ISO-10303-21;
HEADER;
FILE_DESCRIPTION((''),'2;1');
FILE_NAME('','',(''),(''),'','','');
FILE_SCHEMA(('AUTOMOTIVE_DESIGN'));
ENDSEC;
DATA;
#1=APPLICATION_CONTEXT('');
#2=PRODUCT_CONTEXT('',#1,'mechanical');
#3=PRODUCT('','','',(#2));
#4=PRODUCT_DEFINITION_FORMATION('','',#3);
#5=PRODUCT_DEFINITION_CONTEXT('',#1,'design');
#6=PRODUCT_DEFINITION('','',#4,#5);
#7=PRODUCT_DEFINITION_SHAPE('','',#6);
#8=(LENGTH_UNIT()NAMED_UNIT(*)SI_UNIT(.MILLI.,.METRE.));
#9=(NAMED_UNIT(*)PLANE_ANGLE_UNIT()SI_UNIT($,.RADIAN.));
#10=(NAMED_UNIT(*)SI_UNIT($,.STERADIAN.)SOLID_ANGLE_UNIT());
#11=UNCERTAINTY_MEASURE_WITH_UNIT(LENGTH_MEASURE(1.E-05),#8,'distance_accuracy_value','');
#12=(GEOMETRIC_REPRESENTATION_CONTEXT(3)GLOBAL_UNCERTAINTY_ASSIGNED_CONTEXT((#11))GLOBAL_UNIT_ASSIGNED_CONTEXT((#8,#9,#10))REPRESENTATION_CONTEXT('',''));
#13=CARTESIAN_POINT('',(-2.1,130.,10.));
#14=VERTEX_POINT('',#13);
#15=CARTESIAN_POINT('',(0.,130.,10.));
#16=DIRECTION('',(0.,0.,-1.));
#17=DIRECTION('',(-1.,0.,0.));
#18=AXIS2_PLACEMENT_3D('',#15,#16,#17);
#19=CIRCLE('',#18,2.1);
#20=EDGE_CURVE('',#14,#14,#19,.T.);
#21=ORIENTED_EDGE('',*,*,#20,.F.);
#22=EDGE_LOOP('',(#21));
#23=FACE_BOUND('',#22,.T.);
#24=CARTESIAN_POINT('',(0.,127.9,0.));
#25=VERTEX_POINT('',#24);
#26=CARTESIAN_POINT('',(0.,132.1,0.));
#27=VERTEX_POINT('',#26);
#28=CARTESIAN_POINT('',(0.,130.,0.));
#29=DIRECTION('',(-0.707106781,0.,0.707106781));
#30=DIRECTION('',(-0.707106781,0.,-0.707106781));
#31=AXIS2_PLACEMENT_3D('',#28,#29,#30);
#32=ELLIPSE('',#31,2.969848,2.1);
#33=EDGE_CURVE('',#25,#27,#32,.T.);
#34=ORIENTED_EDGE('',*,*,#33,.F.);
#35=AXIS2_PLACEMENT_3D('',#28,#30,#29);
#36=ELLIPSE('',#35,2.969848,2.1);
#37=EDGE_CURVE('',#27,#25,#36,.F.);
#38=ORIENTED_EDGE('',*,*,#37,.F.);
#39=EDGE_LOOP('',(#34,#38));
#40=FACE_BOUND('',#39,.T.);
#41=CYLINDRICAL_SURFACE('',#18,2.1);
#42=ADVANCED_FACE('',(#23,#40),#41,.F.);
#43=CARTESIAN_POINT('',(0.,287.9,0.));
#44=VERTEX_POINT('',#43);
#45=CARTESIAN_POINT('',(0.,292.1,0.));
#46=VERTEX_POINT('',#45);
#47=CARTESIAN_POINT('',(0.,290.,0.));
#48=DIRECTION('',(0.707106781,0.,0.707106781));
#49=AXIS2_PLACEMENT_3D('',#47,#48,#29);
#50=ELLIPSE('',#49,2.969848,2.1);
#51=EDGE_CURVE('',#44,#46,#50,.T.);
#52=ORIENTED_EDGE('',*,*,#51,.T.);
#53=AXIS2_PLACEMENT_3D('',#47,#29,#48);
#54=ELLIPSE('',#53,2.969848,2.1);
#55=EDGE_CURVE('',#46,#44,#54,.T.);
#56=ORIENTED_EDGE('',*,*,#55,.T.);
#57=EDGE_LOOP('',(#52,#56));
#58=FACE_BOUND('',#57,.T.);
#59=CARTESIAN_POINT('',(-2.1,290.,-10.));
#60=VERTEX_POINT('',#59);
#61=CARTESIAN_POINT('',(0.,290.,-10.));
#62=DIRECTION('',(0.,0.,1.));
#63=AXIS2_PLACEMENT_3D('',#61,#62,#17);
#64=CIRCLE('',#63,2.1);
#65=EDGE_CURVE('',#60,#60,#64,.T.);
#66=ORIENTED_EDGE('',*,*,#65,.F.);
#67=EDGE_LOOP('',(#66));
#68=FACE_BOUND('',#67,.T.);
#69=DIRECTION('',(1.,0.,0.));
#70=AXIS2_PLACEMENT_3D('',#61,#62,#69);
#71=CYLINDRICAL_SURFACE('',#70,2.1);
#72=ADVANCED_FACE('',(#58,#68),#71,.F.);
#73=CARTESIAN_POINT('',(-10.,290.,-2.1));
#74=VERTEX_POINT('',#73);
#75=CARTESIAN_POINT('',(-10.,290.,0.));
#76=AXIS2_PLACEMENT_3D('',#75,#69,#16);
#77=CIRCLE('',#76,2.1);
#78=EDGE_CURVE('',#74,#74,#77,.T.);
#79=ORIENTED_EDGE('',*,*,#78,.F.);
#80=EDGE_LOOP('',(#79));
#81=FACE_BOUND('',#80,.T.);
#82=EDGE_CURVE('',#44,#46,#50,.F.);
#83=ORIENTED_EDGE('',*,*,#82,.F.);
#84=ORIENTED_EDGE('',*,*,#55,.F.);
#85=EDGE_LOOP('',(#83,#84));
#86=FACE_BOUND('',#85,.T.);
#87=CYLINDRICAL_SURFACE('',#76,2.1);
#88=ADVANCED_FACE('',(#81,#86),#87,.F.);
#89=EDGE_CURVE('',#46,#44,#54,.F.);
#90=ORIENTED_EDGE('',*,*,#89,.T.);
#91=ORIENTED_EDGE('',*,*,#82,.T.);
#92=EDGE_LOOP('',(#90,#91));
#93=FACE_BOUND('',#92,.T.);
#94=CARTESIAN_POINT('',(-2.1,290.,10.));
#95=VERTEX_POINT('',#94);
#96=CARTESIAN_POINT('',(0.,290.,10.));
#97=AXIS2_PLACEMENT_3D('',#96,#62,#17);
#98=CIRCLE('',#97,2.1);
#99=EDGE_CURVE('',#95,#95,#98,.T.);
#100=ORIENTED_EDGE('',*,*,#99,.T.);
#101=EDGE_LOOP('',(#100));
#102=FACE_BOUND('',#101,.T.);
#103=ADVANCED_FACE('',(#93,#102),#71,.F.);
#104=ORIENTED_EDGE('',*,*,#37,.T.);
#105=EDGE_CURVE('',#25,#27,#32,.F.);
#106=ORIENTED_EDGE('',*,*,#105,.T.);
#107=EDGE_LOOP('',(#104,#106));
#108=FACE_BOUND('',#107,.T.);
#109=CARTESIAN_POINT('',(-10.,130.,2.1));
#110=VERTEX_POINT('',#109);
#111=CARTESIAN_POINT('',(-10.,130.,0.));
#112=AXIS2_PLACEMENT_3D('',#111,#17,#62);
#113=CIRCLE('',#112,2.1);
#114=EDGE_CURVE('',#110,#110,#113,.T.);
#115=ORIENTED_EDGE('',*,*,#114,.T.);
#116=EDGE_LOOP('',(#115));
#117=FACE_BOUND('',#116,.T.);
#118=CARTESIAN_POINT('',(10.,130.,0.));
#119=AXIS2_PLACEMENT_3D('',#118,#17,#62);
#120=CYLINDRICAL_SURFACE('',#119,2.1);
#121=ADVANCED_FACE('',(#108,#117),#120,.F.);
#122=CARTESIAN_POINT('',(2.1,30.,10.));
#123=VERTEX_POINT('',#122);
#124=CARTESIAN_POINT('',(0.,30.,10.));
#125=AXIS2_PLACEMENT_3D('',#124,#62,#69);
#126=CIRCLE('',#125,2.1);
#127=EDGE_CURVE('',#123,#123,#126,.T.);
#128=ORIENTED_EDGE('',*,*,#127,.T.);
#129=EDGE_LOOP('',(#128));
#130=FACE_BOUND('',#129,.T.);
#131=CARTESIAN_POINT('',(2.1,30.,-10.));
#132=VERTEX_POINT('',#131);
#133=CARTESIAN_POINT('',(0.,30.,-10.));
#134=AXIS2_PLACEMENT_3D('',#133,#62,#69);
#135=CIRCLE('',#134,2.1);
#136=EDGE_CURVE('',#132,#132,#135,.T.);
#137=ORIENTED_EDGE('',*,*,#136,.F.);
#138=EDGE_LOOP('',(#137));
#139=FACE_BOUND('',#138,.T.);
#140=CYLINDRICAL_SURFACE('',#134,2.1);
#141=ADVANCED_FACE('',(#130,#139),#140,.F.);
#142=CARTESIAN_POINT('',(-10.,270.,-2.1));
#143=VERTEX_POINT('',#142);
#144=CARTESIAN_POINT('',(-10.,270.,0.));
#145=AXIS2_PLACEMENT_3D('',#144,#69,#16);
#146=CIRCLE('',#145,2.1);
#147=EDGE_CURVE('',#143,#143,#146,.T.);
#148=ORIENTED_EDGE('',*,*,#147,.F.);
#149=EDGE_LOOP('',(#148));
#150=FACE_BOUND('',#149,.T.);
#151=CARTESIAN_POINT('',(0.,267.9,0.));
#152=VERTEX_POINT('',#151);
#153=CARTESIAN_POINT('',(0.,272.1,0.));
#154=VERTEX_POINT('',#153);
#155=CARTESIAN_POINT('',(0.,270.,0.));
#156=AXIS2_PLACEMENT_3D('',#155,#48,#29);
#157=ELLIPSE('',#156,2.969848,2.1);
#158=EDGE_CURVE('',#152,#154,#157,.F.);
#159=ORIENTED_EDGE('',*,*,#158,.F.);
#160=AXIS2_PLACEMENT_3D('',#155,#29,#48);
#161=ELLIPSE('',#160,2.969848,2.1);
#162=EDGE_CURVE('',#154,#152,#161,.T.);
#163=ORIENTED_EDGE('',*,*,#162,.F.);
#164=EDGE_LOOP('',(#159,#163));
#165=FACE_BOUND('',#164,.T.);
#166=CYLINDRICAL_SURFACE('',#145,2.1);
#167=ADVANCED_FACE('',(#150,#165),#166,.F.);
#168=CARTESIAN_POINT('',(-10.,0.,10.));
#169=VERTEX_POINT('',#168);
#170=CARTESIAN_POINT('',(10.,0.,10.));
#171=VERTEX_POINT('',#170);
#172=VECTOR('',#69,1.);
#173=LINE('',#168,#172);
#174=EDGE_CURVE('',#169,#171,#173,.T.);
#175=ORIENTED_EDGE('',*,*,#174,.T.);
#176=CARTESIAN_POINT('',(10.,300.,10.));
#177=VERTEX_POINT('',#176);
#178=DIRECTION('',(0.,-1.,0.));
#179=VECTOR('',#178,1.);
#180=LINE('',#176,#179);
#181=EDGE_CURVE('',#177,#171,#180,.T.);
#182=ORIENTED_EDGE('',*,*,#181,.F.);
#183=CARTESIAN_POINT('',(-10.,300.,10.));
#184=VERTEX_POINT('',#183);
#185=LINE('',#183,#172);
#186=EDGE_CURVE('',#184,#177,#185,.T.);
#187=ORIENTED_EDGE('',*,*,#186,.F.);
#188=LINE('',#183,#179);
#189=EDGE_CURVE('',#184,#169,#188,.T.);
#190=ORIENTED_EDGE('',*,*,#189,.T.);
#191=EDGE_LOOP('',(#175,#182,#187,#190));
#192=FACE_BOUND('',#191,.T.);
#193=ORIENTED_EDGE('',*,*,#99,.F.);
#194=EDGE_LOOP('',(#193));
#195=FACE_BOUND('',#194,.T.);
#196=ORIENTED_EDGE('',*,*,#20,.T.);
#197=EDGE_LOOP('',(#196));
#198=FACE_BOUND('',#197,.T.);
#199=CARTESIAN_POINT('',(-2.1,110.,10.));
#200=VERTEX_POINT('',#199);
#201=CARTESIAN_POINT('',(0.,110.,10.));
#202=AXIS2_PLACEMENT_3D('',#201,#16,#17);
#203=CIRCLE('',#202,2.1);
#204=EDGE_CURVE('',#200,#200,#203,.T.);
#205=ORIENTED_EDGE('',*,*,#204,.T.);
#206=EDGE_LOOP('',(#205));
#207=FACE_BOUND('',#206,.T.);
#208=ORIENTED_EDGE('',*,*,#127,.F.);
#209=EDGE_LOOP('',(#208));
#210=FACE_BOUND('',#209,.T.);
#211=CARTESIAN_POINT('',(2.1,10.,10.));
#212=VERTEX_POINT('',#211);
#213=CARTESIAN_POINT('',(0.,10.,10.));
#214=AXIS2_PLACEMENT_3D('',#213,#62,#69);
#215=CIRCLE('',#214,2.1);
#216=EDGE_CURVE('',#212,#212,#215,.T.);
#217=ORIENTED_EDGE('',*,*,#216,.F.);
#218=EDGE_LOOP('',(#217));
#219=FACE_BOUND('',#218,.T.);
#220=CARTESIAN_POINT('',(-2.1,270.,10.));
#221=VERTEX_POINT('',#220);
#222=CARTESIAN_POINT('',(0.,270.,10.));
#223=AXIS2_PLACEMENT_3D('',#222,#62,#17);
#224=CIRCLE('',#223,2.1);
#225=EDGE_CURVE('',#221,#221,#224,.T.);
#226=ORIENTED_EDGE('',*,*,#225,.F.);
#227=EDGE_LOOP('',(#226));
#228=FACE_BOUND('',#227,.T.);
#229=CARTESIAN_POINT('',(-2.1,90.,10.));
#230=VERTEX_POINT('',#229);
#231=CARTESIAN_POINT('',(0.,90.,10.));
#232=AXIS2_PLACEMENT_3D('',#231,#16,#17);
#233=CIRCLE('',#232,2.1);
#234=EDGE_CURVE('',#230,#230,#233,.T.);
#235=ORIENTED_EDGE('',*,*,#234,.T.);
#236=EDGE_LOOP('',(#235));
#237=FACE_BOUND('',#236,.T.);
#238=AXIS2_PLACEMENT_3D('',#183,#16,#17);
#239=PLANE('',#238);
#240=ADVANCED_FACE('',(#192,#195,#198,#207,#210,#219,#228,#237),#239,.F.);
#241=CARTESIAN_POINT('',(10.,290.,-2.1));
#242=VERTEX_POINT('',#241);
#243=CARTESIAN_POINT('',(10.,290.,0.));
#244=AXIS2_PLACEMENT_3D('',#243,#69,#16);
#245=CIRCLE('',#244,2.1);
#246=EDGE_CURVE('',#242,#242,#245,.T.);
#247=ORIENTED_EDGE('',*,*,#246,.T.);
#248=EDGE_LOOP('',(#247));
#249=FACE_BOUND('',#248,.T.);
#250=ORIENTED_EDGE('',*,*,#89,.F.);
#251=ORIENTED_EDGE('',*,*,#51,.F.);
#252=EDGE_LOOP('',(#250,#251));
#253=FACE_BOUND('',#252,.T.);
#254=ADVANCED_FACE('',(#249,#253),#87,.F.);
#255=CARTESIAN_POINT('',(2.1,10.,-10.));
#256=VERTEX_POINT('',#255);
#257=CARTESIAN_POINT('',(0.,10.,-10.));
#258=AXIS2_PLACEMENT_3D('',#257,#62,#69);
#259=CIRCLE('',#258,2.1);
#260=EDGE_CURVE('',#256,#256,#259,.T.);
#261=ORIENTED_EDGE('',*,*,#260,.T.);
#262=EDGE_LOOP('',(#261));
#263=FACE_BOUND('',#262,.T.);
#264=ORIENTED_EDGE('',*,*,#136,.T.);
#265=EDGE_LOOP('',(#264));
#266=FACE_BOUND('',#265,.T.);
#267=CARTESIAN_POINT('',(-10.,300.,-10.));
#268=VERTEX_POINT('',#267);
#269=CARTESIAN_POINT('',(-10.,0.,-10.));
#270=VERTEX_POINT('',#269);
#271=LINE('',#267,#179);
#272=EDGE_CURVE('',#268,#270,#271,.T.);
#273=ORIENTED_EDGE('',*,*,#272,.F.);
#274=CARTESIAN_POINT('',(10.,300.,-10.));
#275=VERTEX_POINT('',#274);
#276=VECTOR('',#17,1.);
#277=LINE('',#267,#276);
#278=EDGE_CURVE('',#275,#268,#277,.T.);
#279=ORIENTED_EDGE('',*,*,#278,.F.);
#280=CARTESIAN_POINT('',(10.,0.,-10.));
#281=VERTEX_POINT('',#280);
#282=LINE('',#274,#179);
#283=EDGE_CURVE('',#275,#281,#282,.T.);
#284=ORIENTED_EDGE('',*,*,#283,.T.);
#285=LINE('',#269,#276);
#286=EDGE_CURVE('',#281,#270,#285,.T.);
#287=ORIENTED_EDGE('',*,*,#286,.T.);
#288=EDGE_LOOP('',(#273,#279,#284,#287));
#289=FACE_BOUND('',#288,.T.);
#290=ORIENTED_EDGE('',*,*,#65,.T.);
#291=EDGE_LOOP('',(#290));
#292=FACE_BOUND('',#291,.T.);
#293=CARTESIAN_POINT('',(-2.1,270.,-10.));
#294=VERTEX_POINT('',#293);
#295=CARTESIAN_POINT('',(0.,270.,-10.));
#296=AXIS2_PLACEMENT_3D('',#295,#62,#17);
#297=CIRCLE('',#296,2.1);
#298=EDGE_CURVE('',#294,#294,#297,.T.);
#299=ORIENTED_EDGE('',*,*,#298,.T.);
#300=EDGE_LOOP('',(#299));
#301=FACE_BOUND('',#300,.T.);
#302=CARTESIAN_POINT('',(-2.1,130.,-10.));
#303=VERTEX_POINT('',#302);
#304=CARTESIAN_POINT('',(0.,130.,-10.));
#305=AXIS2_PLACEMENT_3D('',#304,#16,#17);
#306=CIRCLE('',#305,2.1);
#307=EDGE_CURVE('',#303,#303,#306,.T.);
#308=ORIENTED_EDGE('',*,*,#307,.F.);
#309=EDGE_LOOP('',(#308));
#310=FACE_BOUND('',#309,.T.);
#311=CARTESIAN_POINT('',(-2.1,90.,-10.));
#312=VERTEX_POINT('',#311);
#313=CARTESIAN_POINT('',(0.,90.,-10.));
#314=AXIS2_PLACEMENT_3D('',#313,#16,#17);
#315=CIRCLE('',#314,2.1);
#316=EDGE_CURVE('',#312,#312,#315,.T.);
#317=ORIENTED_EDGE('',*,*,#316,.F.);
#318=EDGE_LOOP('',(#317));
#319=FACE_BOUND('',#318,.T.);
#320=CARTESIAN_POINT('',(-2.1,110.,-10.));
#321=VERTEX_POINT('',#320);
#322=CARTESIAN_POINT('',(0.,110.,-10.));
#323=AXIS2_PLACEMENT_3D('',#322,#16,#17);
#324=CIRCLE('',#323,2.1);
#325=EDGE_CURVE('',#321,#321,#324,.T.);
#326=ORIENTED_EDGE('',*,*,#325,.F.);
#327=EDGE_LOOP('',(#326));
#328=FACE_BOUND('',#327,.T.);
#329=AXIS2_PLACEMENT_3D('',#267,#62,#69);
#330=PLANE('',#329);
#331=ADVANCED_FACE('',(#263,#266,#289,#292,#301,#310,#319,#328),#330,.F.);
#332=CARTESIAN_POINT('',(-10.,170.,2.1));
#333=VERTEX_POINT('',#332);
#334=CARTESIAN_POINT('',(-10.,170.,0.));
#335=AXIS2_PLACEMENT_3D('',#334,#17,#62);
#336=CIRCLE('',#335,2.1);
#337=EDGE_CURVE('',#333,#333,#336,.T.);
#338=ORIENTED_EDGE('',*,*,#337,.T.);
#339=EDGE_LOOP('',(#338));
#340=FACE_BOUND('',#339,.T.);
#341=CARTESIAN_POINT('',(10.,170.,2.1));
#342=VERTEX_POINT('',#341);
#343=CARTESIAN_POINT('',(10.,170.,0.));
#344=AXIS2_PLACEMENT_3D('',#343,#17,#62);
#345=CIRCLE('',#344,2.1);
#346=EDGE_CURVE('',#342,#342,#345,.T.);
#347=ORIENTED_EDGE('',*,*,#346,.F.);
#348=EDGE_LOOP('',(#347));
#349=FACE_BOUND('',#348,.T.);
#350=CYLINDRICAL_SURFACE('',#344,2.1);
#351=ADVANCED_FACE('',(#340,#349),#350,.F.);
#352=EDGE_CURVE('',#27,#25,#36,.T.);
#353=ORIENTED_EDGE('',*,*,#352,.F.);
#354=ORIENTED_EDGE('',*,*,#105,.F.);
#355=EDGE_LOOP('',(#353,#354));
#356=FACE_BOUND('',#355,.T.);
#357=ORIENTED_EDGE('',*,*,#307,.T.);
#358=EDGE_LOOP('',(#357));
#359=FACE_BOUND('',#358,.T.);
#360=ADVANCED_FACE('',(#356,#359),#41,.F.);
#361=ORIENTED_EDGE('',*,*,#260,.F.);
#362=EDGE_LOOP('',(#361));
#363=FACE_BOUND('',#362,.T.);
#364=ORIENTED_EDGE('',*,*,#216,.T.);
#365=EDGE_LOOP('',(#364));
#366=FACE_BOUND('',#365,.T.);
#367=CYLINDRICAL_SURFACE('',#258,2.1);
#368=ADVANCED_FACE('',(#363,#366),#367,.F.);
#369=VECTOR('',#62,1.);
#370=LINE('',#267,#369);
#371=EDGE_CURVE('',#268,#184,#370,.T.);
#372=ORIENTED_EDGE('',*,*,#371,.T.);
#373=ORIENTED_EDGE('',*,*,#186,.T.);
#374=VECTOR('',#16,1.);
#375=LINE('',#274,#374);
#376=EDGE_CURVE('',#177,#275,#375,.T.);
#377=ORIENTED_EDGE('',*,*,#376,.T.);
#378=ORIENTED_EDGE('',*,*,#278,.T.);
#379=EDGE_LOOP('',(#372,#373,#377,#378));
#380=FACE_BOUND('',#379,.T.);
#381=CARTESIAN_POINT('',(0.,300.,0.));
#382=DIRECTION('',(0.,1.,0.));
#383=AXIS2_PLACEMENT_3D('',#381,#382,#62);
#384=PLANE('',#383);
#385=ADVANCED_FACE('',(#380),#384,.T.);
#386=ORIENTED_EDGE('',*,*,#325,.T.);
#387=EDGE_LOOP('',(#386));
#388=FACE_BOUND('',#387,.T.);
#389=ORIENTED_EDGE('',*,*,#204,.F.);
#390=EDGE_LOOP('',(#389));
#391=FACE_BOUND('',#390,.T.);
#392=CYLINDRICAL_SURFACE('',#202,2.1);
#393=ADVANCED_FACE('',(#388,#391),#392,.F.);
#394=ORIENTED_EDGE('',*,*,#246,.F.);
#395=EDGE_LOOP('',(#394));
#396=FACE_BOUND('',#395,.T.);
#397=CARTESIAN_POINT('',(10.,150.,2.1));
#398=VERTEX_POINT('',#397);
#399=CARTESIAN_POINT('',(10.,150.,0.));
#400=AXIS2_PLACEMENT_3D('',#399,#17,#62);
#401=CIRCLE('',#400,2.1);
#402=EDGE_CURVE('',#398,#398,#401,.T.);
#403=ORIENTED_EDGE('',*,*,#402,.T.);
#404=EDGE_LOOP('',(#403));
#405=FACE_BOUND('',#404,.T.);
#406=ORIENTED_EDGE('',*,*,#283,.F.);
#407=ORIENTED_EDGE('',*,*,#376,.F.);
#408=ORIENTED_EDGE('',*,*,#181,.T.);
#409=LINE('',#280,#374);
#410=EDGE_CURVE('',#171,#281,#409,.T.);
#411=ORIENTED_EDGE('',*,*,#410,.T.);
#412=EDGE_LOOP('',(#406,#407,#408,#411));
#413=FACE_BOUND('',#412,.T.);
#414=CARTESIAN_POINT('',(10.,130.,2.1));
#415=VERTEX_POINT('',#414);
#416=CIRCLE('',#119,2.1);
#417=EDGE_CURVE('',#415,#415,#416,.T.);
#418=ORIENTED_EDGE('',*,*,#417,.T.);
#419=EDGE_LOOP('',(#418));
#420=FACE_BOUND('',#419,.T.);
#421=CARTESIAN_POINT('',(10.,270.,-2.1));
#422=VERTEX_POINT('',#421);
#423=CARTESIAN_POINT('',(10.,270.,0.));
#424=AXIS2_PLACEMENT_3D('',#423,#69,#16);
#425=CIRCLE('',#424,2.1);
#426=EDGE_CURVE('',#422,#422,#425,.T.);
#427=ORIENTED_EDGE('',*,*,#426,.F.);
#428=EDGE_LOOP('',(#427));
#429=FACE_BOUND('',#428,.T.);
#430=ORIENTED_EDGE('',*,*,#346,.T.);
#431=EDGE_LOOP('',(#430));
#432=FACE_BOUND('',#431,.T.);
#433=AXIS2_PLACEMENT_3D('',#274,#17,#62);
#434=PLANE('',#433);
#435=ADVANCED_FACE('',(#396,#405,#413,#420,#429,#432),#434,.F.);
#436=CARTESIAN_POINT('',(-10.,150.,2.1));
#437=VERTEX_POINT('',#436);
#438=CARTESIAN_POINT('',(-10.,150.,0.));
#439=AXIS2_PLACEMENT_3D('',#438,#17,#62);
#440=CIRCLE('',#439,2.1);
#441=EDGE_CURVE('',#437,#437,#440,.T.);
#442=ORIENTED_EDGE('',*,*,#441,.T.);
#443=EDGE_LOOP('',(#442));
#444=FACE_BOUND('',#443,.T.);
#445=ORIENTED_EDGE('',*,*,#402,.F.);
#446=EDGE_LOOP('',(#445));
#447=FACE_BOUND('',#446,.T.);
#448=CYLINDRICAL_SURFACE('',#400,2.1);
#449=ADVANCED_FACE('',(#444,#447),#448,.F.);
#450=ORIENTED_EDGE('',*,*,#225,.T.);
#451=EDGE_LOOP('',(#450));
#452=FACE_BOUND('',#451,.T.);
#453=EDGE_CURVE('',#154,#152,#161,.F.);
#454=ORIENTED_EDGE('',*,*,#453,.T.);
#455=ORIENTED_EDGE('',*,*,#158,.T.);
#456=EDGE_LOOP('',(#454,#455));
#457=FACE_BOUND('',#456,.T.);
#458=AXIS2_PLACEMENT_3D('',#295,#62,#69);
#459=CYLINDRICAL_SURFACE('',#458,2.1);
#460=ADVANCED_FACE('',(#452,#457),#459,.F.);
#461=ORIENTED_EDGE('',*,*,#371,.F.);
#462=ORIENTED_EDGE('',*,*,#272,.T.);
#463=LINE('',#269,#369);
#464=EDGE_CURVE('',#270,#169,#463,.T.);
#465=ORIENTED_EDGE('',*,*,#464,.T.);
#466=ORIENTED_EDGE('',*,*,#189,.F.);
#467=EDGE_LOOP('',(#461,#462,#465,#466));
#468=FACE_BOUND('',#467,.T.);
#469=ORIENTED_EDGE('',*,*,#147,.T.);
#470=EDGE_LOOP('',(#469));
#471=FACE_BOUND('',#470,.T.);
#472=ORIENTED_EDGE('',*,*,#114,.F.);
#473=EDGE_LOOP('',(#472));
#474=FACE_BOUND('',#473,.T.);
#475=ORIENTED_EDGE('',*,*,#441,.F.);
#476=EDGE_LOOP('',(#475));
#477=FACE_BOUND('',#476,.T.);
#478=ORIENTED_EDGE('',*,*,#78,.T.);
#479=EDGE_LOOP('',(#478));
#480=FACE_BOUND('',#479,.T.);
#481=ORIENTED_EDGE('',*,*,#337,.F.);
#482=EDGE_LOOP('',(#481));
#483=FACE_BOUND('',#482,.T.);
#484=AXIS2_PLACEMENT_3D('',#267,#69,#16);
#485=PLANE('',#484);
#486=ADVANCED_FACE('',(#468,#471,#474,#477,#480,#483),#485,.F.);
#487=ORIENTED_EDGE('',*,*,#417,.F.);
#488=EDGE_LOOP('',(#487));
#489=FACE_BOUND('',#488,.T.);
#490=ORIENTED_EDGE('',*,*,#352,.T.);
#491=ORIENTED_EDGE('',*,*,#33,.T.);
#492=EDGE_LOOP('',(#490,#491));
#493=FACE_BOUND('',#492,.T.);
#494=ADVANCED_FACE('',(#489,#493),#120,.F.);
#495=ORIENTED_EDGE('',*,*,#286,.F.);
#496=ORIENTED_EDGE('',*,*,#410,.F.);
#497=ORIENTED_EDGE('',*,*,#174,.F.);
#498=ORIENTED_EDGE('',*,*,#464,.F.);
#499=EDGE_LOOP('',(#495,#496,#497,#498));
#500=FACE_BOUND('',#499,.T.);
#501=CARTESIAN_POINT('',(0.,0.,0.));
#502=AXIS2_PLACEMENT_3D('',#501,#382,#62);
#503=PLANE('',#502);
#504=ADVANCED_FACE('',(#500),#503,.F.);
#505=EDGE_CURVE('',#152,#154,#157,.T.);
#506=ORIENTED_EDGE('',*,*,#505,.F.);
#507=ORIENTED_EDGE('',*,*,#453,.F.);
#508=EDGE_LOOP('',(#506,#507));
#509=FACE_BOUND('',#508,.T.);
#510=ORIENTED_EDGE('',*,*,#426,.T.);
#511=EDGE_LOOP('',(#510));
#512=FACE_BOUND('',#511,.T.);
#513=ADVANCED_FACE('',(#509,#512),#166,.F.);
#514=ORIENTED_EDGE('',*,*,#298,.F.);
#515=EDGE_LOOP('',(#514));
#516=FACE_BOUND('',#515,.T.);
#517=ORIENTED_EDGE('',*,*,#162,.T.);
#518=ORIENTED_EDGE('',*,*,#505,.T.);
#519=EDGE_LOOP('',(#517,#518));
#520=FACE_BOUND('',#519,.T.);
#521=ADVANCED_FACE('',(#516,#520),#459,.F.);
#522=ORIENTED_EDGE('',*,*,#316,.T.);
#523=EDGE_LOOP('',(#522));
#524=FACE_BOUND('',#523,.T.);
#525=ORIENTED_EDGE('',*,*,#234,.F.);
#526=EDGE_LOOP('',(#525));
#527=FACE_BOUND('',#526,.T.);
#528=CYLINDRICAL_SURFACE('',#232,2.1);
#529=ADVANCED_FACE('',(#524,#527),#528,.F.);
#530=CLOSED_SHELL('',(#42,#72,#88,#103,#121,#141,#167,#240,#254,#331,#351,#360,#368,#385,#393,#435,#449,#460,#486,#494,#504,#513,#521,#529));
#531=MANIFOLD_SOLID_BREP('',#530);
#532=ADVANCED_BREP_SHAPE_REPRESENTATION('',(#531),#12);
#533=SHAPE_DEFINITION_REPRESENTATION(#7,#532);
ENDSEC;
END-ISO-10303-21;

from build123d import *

# Parameters (mm, degrees)
SKETCH_1_W          = 20
SKETCH_1_H          = 20
EXTRUDE_1_DEPTH     = 300
SKETCH_2_R          = 2.1
CUT_EXTRUDE_1_DEPTH = 301.83217913
SKETCH_4_R          = 2.1
CUT_EXTRUDE_2_DEPTH = 301.83217913
SKETCH_5_R          = 2.1
CUT_EXTRUDE_3_DEPTH = 301.83217913
SKETCH_6_R          = 2.1
CUT_EXTRUDE_4_DEPTH = 301.83217913


with BuildPart() as part:
    # 草图1 → 凸台-拉伸1 (new body)
    with BuildSketch(Plane(origin=(0, 0, 0), x_dir=(1, 0, 0), z_dir=(0, 1, 0))):
        Rectangle(SKETCH_1_W, SKETCH_1_H)
    extrude(amount=EXTRUDE_1_DEPTH)

    # 草图2 → 切除-拉伸1 (cut, through all)
    with BuildSketch(Plane.XY.offset(10)):
        with Locations((0, 10)):
            Circle(SKETCH_2_R)
        with Locations((0, 30)):
            Circle(SKETCH_2_R)
        with Locations(Location((0, 270, 0), (0, 0, 180))):
            Circle(SKETCH_2_R)
        with Locations(Location((0, 290, 0), (0, 0, 180))):
            Circle(SKETCH_2_R)
    extrude(amount=-CUT_EXTRUDE_1_DEPTH, mode=Mode.SUBTRACT)

    # 草图4 → 切除-拉伸2 (cut, through all)
    with BuildSketch(Plane.ZY.offset(10)):
        with Locations((0, 130)):
            Circle(SKETCH_4_R)
        with Locations((0, 150)):
            Circle(SKETCH_4_R)
        with Locations((0, 170)):
            Circle(SKETCH_4_R)
    extrude(amount=-CUT_EXTRUDE_2_DEPTH, mode=Mode.SUBTRACT)

    # 草图5 → 切除-拉伸3 (cut, through all)
    with BuildSketch(Plane(origin=(10, 0, 0), x_dir=(0, 0, -1), z_dir=(1, 0, 0))):
        with Locations((0, 290)):
            Circle(SKETCH_5_R)
        with Locations((0, 270)):
            Circle(SKETCH_5_R)
    extrude(amount=-CUT_EXTRUDE_3_DEPTH, mode=Mode.SUBTRACT)

    # 草图6 → 切除-拉伸4 (cut, through all)
    with BuildSketch(Plane(origin=(0, 0, -10), x_dir=(-1, 0, 0), z_dir=(0, 0, -1))):
        with Locations((0, 90)):
            Circle(SKETCH_6_R)
        with Locations((0, 110)):
            Circle(SKETCH_6_R)
        with Locations((0, 130)):
            Circle(SKETCH_6_R)
    extrude(amount=-CUT_EXTRUDE_4_DEPTH, mode=Mode.SUBTRACT)


solid = part.part
